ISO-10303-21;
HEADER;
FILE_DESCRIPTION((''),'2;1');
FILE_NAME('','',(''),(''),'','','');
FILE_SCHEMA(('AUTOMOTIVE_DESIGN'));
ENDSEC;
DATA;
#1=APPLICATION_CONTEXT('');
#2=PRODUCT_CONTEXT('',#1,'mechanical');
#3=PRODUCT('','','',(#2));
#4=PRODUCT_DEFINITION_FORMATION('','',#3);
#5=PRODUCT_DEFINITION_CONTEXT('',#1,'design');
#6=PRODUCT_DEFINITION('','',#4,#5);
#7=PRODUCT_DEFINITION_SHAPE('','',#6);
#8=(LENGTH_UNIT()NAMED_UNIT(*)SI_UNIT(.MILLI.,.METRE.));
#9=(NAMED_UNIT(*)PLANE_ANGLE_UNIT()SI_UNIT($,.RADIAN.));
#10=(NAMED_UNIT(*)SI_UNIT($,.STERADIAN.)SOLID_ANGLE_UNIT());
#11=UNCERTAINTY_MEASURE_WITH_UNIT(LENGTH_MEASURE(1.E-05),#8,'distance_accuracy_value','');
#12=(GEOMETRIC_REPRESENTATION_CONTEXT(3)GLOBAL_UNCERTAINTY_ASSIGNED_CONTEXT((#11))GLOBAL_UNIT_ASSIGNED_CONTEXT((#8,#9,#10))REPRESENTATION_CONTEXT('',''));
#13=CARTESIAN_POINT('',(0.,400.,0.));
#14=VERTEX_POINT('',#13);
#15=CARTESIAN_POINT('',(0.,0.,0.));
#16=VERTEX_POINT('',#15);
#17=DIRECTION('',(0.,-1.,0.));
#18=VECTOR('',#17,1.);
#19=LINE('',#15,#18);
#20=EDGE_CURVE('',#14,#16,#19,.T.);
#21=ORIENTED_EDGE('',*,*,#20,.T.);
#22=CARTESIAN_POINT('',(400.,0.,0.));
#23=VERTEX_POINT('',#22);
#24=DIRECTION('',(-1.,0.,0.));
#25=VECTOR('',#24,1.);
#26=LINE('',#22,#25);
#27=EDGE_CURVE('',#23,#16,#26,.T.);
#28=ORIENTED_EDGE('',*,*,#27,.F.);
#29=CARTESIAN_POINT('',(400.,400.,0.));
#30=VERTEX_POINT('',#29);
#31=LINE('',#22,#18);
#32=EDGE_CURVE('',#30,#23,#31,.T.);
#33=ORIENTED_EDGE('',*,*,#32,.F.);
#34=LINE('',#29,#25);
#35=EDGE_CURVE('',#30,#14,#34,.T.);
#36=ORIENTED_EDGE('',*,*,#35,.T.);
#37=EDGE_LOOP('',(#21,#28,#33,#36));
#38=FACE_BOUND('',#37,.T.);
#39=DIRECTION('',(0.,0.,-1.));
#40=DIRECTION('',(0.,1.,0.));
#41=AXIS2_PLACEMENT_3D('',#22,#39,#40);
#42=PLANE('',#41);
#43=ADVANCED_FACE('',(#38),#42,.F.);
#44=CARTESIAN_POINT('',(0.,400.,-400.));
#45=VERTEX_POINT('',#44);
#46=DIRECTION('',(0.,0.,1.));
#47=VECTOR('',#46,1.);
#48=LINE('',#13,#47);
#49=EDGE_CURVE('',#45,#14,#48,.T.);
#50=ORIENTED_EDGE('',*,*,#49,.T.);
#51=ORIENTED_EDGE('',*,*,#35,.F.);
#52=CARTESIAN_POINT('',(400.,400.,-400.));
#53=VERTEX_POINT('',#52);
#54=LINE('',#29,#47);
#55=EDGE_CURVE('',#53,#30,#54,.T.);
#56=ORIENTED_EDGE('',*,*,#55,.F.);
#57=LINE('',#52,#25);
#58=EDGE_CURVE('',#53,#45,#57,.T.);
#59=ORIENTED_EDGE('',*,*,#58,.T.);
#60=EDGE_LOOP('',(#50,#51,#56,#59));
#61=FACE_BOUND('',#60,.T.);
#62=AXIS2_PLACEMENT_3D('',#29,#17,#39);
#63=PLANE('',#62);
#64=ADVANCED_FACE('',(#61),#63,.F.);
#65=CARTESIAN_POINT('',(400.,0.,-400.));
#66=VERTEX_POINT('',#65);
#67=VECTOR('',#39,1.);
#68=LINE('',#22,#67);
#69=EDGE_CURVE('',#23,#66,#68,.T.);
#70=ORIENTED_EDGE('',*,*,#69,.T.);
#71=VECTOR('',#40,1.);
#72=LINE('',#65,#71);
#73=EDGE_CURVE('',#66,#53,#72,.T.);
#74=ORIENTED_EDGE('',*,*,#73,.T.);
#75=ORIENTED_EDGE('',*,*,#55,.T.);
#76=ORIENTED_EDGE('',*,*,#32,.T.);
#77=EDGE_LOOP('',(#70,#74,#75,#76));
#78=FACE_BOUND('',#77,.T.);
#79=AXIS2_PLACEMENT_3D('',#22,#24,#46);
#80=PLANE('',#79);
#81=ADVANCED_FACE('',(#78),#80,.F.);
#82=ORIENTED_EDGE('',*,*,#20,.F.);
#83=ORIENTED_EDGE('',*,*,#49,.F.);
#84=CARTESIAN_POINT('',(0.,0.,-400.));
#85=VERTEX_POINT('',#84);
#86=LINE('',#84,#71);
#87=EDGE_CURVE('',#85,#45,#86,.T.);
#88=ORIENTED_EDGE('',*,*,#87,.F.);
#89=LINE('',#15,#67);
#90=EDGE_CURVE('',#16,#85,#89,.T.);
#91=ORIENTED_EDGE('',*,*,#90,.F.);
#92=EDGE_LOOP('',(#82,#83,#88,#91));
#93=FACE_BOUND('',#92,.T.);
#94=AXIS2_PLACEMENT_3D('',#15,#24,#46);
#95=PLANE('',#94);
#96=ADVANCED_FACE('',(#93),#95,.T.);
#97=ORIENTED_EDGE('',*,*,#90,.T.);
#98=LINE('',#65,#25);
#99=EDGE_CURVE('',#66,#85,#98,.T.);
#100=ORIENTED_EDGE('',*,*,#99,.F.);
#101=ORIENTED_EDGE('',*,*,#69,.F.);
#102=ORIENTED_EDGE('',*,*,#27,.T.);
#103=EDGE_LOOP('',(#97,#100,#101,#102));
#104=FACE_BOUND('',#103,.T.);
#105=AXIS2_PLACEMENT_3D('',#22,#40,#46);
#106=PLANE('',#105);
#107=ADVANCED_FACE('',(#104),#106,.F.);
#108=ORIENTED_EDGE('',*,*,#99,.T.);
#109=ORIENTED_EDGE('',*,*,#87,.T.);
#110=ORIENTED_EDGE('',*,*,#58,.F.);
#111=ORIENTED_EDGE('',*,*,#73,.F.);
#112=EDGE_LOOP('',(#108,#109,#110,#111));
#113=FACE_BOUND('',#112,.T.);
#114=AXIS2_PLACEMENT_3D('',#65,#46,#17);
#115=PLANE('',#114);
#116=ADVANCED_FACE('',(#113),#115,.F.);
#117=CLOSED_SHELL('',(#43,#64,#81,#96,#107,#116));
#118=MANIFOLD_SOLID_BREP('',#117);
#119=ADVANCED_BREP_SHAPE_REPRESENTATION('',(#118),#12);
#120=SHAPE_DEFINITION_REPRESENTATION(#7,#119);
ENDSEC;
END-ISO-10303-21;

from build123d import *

# Parameters (mm, degrees)
SKETCH1_W           = 400
SKETCH1_H           = 400
BOSS_EXTRUDE1_DEPTH = 400


with BuildPart() as part:
    # Sketch1 → Boss-Extrude1 (new body)
    with BuildSketch(Plane(origin=(0, 0, 0), x_dir=(0, 0, -1), z_dir=(1, 0, 0))):
        with Locations((200, 200)):
            Rectangle(SKETCH1_W, SKETCH1_H)
    extrude(amount=BOSS_EXTRUDE1_DEPTH)


solid = part.part
